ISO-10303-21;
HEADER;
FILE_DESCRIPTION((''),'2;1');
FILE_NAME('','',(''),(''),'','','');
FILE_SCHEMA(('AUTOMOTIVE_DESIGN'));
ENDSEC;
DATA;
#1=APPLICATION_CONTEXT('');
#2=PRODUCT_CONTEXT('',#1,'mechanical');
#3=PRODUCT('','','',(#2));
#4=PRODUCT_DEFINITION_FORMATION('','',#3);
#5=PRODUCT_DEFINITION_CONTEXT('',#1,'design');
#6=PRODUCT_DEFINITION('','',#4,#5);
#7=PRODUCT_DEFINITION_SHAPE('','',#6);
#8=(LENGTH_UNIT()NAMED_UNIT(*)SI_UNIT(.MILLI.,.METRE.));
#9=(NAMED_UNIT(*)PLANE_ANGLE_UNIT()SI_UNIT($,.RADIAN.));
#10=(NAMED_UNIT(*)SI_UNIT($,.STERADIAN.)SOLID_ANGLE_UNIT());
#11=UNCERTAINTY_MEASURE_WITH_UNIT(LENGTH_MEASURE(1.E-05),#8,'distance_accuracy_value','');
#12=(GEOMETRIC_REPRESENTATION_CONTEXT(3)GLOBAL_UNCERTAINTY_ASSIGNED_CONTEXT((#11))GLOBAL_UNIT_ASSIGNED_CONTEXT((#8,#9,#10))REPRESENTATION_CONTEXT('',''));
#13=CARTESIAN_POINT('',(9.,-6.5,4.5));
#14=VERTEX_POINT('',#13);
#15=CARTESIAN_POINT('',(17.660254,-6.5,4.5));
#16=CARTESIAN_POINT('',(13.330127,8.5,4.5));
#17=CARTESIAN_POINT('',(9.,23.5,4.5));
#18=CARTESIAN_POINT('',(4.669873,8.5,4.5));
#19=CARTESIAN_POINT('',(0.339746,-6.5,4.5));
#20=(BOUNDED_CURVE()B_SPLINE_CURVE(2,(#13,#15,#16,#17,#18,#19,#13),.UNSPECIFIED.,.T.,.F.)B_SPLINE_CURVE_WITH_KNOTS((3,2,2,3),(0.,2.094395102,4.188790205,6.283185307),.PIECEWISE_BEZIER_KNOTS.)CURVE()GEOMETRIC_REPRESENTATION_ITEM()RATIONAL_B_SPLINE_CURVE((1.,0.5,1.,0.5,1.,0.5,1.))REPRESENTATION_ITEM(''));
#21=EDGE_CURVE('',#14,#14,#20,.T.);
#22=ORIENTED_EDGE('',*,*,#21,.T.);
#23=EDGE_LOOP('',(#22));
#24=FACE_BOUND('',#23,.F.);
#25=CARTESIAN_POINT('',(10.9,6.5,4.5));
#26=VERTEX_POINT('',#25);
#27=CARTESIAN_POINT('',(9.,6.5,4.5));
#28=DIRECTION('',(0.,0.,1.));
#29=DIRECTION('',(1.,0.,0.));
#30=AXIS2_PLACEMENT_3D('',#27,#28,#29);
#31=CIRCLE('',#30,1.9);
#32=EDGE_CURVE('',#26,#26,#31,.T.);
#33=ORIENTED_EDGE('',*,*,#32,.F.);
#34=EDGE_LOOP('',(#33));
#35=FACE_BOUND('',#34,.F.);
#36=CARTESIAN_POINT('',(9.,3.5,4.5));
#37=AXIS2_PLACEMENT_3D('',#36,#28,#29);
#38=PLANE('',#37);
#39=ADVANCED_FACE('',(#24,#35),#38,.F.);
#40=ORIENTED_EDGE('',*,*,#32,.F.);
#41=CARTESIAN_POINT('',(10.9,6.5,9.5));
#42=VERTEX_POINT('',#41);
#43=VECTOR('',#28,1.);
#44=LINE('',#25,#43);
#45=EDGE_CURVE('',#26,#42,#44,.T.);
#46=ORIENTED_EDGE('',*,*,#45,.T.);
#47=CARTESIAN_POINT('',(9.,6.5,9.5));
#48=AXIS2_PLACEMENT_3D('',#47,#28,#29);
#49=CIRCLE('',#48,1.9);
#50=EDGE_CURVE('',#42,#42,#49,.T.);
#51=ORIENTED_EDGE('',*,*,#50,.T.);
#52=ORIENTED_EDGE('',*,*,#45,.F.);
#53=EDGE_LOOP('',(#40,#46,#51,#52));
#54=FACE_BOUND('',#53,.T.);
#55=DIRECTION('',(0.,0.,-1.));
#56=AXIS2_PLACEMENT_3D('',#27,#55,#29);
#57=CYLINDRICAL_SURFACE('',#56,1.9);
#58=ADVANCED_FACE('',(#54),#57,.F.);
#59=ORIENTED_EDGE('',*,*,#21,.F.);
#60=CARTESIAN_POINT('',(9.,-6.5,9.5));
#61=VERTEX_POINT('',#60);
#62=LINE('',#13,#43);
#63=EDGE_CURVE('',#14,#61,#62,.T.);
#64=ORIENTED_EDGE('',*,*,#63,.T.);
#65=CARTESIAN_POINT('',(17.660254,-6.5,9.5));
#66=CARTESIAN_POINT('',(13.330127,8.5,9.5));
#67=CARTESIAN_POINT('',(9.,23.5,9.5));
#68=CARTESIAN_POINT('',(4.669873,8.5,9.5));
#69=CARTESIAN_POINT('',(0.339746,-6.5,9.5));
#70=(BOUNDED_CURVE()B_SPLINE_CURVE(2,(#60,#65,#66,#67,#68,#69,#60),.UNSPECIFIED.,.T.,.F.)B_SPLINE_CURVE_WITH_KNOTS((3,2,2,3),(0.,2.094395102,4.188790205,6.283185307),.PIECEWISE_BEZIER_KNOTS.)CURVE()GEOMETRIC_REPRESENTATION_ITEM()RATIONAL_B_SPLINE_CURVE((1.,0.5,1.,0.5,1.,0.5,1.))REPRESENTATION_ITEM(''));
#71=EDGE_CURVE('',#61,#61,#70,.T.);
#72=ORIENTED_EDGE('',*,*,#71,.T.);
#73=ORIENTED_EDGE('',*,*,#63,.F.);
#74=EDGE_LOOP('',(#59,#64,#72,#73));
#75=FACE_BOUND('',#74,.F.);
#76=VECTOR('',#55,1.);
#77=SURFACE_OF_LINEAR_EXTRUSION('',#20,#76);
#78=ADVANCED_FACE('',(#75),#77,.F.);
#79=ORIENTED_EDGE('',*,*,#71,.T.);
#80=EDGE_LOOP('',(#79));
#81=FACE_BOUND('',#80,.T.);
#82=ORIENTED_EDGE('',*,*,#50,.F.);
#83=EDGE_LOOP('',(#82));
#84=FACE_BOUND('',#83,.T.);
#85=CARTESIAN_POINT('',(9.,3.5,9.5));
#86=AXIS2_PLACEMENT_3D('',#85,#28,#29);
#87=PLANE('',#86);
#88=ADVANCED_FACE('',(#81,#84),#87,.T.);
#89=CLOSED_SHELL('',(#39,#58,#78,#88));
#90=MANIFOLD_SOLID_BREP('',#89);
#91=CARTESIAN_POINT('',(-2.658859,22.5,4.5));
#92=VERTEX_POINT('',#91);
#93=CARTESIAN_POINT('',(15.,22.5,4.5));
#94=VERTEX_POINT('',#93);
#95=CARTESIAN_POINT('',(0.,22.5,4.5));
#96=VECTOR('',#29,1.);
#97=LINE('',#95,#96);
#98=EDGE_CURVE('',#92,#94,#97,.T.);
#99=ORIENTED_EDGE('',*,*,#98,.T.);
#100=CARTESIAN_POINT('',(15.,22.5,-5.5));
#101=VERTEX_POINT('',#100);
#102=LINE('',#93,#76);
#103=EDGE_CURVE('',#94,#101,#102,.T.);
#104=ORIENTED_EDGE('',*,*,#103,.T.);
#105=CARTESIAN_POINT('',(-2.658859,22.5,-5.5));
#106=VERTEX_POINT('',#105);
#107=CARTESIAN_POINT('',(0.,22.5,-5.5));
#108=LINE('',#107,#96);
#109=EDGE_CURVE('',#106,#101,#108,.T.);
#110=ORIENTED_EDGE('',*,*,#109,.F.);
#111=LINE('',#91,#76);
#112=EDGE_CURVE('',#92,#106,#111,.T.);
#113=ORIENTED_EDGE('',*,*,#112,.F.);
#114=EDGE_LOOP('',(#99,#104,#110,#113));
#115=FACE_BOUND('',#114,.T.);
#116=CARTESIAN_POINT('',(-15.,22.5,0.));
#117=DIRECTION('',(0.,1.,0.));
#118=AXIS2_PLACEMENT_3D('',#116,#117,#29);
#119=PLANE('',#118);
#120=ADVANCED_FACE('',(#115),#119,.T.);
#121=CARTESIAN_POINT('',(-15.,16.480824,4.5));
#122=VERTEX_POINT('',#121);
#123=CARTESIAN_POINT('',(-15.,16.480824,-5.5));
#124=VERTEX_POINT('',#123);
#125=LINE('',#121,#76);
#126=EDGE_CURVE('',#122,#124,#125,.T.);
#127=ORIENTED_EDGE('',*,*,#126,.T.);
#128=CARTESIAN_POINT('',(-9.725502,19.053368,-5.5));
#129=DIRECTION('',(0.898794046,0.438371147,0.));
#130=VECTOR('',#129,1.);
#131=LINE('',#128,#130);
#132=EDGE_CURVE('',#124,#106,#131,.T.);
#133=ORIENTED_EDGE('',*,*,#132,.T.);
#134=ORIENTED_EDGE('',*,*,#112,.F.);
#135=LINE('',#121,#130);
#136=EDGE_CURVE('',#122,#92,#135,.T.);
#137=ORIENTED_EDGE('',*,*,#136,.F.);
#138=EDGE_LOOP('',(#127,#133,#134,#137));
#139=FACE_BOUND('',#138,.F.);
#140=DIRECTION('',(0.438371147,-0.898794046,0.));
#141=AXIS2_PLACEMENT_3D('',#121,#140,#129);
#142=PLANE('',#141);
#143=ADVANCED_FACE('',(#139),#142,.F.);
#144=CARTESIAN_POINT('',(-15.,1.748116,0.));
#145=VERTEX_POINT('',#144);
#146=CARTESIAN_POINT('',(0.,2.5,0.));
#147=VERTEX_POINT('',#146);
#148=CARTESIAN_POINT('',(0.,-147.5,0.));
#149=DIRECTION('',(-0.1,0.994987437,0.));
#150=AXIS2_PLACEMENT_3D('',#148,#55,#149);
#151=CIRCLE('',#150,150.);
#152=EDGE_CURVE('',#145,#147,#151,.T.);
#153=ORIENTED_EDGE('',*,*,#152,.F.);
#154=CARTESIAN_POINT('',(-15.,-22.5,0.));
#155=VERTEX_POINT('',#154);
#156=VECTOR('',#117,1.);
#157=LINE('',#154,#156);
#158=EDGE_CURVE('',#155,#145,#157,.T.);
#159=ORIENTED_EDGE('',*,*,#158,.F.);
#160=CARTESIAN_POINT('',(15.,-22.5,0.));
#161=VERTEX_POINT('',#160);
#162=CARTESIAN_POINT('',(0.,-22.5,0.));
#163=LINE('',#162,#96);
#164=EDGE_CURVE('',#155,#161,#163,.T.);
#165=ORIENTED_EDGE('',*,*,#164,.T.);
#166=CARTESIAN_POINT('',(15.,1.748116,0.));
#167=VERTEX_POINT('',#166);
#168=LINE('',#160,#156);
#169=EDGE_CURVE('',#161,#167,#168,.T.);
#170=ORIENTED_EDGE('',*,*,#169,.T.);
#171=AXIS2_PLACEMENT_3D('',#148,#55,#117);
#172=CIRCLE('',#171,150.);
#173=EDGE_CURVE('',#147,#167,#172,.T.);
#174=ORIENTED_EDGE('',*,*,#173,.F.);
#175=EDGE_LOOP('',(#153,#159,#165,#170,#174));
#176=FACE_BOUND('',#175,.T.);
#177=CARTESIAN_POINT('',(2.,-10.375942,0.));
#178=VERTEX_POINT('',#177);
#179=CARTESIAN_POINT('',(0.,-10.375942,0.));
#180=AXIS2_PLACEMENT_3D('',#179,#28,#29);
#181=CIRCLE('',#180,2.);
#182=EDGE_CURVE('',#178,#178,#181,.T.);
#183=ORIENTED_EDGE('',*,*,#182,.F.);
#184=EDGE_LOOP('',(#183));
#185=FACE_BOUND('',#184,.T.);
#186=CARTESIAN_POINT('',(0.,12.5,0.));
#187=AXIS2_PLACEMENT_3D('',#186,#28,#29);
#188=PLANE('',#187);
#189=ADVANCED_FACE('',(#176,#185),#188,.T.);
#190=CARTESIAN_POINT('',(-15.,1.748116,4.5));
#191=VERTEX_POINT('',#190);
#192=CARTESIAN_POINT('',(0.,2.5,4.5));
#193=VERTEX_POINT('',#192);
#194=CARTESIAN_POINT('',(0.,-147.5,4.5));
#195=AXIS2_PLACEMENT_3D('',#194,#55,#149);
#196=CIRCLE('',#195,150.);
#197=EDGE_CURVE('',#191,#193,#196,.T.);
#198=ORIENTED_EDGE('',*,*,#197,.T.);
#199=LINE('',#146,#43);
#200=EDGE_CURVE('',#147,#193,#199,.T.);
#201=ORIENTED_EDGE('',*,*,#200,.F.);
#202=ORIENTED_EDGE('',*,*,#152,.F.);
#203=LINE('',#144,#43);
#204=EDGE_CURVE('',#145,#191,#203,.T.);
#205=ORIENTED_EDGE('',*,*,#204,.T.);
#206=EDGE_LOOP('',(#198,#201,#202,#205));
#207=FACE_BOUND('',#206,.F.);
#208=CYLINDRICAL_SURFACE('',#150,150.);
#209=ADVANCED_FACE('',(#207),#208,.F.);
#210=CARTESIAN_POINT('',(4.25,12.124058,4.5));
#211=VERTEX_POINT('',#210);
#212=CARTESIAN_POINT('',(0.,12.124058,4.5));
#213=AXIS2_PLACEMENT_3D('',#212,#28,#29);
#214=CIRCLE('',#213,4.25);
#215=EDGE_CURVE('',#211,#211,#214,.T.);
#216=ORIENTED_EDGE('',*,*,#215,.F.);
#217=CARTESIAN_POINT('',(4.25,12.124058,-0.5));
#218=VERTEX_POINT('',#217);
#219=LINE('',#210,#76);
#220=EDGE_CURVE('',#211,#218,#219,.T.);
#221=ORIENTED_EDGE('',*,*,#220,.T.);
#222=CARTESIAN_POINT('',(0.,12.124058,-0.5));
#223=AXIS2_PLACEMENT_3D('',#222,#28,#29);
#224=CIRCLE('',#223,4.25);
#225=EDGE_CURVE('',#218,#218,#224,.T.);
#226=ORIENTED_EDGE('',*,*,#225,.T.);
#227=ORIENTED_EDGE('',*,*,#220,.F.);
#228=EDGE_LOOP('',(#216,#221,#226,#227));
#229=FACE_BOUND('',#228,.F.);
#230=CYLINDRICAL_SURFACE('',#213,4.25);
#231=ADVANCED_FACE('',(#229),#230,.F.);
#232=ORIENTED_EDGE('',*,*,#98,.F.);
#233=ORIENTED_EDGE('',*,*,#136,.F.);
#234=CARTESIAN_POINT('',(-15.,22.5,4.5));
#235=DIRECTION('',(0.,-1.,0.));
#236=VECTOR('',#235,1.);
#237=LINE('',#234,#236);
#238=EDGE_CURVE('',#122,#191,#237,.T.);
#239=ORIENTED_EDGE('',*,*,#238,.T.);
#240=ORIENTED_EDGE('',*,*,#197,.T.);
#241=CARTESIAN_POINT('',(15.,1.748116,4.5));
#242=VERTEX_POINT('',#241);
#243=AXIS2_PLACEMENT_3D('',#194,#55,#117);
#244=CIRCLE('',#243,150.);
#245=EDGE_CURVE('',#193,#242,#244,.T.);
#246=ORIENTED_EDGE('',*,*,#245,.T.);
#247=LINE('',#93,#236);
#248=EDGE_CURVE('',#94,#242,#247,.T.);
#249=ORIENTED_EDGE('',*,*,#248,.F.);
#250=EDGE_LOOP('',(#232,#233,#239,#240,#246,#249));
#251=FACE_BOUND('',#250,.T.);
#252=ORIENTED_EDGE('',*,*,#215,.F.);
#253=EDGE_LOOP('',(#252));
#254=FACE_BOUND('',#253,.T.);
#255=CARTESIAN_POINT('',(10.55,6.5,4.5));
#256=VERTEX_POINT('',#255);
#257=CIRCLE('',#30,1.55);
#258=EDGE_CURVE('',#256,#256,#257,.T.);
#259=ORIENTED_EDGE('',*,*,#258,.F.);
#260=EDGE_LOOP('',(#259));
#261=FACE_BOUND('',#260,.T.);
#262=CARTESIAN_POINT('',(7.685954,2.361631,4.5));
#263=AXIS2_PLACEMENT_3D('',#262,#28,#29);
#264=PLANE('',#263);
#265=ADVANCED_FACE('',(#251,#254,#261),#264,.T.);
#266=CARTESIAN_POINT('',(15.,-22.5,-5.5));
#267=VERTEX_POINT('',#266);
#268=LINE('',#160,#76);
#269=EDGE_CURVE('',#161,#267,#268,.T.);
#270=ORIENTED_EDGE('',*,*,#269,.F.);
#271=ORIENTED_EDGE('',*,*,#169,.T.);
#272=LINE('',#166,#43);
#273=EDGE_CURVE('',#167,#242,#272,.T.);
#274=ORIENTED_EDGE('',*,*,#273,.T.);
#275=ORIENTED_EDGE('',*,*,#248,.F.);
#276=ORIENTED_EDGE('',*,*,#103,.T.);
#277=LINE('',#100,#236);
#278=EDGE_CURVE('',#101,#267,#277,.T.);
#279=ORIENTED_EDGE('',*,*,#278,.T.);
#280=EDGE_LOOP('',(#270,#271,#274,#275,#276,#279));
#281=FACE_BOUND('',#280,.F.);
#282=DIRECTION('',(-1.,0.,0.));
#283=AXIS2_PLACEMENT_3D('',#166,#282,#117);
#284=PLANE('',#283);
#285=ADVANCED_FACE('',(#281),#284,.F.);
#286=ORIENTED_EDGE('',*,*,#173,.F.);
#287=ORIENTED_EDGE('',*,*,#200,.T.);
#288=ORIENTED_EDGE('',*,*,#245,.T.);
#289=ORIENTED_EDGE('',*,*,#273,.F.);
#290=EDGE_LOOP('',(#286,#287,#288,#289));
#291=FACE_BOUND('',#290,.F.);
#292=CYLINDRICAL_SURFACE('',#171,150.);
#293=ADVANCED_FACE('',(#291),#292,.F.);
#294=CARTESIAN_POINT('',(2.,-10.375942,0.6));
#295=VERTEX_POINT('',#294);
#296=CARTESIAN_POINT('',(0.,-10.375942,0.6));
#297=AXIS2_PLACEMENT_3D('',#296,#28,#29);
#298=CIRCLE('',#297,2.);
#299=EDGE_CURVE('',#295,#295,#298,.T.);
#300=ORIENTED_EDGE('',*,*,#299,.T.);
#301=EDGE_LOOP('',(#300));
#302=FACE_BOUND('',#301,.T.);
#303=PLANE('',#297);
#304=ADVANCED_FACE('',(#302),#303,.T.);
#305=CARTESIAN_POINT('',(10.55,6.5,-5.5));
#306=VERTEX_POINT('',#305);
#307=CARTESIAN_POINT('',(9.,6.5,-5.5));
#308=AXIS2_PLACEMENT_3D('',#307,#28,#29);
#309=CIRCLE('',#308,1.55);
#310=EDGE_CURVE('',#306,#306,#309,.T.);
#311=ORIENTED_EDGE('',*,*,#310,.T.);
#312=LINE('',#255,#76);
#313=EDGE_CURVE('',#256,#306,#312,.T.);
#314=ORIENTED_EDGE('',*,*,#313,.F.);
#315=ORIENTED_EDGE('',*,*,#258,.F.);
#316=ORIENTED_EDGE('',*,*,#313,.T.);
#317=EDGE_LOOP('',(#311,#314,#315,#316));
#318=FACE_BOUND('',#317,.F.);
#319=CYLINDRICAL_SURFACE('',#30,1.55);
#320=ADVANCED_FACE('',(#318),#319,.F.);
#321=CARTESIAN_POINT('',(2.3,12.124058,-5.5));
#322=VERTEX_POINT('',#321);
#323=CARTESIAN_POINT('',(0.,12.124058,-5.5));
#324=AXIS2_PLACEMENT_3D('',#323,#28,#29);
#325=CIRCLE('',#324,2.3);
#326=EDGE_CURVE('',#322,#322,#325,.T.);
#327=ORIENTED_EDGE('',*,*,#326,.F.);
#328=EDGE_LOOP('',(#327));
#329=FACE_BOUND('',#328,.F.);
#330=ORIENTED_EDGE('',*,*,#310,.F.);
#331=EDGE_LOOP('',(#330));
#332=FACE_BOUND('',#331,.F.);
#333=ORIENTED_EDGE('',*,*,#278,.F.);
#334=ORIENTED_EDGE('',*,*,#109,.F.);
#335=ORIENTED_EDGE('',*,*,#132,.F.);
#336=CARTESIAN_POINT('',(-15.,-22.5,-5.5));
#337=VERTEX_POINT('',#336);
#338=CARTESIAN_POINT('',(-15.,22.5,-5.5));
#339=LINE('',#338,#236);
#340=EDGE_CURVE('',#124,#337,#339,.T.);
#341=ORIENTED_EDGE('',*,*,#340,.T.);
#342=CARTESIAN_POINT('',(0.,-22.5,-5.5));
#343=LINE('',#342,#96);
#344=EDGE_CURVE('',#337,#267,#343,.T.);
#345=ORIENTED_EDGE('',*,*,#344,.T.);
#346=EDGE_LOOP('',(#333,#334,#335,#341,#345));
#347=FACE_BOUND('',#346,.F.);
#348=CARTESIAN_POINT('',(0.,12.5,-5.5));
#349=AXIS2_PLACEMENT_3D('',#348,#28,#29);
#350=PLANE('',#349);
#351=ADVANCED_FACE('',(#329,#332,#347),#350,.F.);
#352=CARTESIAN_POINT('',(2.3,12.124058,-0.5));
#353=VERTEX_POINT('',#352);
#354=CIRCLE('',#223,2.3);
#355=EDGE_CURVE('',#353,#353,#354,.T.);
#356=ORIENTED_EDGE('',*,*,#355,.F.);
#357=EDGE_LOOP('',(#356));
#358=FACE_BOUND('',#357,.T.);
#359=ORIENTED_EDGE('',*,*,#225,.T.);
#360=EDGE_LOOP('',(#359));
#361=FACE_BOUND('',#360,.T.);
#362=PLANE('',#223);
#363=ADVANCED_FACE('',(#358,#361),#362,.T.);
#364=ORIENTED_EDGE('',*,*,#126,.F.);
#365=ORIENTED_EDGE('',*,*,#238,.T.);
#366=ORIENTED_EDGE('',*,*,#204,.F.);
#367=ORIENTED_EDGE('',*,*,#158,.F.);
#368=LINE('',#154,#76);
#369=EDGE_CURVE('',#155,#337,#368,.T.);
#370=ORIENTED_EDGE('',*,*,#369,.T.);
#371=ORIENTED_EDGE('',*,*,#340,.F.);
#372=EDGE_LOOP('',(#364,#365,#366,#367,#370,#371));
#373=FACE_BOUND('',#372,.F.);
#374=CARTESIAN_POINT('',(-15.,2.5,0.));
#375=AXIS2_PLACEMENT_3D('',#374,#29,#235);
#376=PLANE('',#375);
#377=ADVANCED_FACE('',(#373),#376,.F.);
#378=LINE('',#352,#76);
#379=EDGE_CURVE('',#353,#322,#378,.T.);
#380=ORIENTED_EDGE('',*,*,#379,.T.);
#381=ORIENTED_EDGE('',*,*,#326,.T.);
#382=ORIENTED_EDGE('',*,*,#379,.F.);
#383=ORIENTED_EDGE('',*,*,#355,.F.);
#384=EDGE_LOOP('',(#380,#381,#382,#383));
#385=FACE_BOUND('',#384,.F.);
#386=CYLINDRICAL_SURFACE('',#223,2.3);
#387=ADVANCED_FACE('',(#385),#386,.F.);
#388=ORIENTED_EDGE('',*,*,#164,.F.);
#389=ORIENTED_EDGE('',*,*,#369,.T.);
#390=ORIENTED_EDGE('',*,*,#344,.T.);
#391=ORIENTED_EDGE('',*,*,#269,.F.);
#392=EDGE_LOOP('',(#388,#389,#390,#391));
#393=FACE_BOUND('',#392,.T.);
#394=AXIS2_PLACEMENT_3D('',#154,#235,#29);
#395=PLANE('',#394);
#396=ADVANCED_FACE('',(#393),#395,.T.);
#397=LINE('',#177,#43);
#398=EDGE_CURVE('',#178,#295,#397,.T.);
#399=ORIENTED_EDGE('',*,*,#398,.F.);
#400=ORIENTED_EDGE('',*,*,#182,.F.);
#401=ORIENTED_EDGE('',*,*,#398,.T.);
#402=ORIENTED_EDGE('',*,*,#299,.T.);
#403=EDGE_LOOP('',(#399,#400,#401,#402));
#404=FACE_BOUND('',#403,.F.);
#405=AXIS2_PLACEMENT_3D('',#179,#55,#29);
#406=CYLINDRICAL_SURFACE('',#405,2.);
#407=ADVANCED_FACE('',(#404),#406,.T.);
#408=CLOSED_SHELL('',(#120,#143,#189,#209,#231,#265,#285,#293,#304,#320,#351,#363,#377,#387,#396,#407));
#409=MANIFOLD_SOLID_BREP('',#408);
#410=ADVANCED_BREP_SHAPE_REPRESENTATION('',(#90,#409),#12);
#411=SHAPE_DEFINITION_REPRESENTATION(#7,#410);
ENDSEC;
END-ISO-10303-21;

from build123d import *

# Parameters (mm, degrees)
F0_W          = 30
F0_H          = 25
F1_DEPTH      = 5.5
F0_H_2        = 20
F2_DEPTH      = 5.5
F2_DEPTH_BACK = 4.5
F4_DEPTH      = 4.5
F5_R          = 2
F6_DEPTH      = 0.6
F7_R          = 4.25
F8_DEPTH      = 5
F9_R          = 2.3
F10_DEPTH     = 25
F11_R         = 1.55
F12_DEPTH     = 25
F14_DEPTH     = 25
F15_R         = 1.9
F16_DEPTH     = 5


with BuildPart() as f1:
    # F0 (on Top) → F1 (new body)
    with BuildSketch(Plane.XY):
        with Locations((0, -10)):
            Rectangle(F0_W, F0_H)
    extrude(amount=-F1_DEPTH)

    # F0 (on Top) → F2 (join, two sides)
    with BuildSketch(Plane.XY) as f2_sk:
        with Locations((0, 12.5)):
            Rectangle(F0_W, F0_H_2)
    extrude(amount=-F2_DEPTH)
    extrude(f2_sk.sketch, amount=F2_DEPTH_BACK)

    # F3 (on face) → F4 (join, through all)
    with BuildSketch(Plane.XY):
        with BuildLine():
            ThreePointArc((0, 2.5), (7.509416259, 2.3119109665), (15, 1.748115566))
            Line((15, 1.748115566), (15, 2.5))
            Line((15, 2.5), (0, 2.5))
        make_face()
        with BuildLine():
            Line((-15, 2.5), (-15, 1.748115566))
            ThreePointArc((-15, 1.748115566), (-7.509416259, 2.3119109665), (0, 2.5))
            Line((0, 2.5), (-15, 2.5))
        make_face()
    extrude(amount=F4_DEPTH)

    # F5 (on face) → F6 (join)
    with BuildSketch(Plane.XY):
        with Locations((0, -10.375942217)):
            Circle(F5_R)
    extrude(amount=F6_DEPTH)

    # F7 (on face) → F8 (cut)
    with BuildSketch(Plane.XY.offset(4.5)):
        with Locations((0, 12.124057783)):
            Circle(F7_R)
    extrude(amount=-F8_DEPTH, mode=Mode.SUBTRACT)

    # F9 (on face) → F10 (cut)
    with BuildSketch(Plane.XY.offset(-0.5)):
        with Locations((0, 12.124057783)):
            Circle(F9_R)
    extrude(amount=-F10_DEPTH, mode=Mode.SUBTRACT)

    # F11 (on face) → F12 (cut)
    with BuildSketch(Plane.XY.offset(4.5)):
        with Locations((9, 6.5)):
            Circle(F11_R)
    extrude(amount=-F12_DEPTH, mode=Mode.SUBTRACT)

    # F13 (on face) → F14 (cut)
    with BuildSketch(Plane.XY.offset(4.5)):
        Polygon((-15, 16.480823502), (-2.6588593031, 22.5), (-15, 22.5), align=None)
    extrude(amount=-F14_DEPTH, mode=Mode.SUBTRACT)


with BuildPart() as f16:
    # F15 (on face) → F16 (new body)
    with BuildSketch(Plane.XY.offset(4.5)):
        with BuildLine():
            add(Edge.make_bspline(
                [(9, -6.5), (17.6602540378, -6.5), (13.3301270189, 8.5), (9, 23.5), (4.6698729811, 8.5), (0.3397459622, -6.5), (9, -6.5)],
                knots=[0, 0, 0, 2.0943951024, 2.0943951024, 4.1887902048, 4.1887902048, 6.2831853072, 6.2831853072, 6.2831853072], degree=2, weights=[1, 0.5, 1, 0.5, 1, 0.5, 1]))
        make_face()
        with Locations((9, 6.5)):
            Circle(F15_R, mode=Mode.SUBTRACT)
    extrude(amount=F16_DEPTH)


solid = Compound([f1.part, f16.part])
